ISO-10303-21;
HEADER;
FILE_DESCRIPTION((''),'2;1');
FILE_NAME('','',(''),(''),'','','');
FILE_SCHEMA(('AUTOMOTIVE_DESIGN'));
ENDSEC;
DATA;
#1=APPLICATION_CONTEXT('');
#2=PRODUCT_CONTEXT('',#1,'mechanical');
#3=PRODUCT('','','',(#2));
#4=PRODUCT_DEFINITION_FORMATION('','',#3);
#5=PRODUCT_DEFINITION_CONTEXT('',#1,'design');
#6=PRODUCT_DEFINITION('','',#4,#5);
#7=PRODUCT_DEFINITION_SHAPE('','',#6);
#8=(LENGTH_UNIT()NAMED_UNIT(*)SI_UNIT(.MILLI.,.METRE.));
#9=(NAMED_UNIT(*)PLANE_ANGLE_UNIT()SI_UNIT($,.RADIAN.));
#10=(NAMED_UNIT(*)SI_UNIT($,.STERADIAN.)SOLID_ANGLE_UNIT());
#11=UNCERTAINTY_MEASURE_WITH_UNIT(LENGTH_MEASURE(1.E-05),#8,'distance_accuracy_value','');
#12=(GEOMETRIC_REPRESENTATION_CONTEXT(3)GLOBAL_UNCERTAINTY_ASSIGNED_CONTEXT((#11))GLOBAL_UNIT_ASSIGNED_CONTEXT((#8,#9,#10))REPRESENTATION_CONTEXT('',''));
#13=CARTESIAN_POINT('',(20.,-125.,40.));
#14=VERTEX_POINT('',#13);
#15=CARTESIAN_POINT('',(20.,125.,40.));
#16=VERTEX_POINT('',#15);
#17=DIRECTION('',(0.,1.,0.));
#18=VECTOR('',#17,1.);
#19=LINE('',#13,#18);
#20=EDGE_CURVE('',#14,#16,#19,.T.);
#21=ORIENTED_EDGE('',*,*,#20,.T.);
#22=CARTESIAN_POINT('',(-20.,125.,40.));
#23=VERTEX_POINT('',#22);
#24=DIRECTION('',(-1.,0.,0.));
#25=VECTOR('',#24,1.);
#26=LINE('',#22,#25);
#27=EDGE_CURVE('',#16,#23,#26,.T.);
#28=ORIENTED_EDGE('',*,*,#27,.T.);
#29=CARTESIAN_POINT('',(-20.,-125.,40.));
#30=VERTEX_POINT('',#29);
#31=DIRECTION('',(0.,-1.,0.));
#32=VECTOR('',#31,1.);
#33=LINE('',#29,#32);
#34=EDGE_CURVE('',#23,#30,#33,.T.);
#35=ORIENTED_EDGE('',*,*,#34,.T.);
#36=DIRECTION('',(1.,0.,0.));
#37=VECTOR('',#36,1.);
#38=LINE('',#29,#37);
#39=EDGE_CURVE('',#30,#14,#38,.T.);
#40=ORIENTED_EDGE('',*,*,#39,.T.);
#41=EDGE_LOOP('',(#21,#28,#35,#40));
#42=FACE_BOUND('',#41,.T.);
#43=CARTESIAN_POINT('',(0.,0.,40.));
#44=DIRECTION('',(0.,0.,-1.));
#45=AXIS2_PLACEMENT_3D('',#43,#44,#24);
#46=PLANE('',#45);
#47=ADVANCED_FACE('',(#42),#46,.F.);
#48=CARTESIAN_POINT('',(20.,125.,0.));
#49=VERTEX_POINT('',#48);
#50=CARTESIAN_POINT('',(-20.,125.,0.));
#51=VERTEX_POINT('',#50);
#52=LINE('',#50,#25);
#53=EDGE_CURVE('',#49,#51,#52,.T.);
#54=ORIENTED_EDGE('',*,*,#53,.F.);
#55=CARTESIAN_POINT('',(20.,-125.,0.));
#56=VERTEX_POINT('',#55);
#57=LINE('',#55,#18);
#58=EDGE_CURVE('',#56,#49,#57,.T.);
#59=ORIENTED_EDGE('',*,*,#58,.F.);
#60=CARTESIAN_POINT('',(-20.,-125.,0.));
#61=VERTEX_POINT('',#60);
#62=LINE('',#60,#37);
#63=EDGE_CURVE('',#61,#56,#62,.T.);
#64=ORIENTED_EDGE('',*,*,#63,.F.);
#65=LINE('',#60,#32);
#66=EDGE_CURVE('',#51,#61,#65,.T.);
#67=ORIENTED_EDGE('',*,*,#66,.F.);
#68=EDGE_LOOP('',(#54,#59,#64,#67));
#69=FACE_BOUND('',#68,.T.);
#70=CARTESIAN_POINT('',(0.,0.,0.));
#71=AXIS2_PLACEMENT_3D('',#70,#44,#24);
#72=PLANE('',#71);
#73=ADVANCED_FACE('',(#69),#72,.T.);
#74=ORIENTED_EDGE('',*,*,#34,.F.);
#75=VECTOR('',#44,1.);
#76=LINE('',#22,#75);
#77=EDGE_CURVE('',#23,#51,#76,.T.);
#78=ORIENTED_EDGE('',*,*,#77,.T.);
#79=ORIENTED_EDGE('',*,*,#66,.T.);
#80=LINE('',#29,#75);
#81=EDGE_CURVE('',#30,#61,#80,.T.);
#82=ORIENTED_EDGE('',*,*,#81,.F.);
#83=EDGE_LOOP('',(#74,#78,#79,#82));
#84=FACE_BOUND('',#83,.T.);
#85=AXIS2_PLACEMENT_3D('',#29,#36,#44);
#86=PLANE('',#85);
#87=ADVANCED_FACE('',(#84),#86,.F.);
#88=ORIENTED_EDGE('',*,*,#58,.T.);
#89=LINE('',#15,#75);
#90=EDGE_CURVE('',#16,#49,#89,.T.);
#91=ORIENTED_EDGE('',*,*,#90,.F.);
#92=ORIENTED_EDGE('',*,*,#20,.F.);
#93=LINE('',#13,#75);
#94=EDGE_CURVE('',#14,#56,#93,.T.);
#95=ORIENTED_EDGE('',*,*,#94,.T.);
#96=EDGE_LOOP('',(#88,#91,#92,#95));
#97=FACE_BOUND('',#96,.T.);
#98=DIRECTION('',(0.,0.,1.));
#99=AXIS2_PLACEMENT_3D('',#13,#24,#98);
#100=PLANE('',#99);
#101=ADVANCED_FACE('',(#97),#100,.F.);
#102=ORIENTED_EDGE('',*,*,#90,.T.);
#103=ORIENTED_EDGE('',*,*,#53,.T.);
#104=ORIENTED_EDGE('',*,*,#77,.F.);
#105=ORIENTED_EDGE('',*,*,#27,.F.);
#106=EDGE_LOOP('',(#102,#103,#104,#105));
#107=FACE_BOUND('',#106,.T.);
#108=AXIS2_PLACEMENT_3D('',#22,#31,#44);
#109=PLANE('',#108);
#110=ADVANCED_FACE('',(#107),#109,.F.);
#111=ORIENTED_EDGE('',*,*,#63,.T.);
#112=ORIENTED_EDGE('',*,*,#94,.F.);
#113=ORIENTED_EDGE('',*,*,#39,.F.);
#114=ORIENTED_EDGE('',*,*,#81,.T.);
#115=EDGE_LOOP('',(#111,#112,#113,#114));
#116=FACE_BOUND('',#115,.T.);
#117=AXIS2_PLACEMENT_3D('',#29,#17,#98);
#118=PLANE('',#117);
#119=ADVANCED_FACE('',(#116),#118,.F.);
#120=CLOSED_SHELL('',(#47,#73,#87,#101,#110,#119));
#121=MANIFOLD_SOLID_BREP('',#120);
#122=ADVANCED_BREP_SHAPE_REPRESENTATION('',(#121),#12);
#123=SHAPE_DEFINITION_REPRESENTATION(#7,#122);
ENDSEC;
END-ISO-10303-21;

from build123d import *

# Parameters (mm, degrees)
SKETCH1_W           = 40
SKETCH1_H           = 250
BOSS_EXTRUDE1_DEPTH = 40


with BuildPart() as part:
    # Sketch1 → Boss-Extrude1 (new body)
    with BuildSketch(Plane.XY):
        Rectangle(SKETCH1_W, SKETCH1_H)
    extrude(amount=BOSS_EXTRUDE1_DEPTH)


solid = part.part
